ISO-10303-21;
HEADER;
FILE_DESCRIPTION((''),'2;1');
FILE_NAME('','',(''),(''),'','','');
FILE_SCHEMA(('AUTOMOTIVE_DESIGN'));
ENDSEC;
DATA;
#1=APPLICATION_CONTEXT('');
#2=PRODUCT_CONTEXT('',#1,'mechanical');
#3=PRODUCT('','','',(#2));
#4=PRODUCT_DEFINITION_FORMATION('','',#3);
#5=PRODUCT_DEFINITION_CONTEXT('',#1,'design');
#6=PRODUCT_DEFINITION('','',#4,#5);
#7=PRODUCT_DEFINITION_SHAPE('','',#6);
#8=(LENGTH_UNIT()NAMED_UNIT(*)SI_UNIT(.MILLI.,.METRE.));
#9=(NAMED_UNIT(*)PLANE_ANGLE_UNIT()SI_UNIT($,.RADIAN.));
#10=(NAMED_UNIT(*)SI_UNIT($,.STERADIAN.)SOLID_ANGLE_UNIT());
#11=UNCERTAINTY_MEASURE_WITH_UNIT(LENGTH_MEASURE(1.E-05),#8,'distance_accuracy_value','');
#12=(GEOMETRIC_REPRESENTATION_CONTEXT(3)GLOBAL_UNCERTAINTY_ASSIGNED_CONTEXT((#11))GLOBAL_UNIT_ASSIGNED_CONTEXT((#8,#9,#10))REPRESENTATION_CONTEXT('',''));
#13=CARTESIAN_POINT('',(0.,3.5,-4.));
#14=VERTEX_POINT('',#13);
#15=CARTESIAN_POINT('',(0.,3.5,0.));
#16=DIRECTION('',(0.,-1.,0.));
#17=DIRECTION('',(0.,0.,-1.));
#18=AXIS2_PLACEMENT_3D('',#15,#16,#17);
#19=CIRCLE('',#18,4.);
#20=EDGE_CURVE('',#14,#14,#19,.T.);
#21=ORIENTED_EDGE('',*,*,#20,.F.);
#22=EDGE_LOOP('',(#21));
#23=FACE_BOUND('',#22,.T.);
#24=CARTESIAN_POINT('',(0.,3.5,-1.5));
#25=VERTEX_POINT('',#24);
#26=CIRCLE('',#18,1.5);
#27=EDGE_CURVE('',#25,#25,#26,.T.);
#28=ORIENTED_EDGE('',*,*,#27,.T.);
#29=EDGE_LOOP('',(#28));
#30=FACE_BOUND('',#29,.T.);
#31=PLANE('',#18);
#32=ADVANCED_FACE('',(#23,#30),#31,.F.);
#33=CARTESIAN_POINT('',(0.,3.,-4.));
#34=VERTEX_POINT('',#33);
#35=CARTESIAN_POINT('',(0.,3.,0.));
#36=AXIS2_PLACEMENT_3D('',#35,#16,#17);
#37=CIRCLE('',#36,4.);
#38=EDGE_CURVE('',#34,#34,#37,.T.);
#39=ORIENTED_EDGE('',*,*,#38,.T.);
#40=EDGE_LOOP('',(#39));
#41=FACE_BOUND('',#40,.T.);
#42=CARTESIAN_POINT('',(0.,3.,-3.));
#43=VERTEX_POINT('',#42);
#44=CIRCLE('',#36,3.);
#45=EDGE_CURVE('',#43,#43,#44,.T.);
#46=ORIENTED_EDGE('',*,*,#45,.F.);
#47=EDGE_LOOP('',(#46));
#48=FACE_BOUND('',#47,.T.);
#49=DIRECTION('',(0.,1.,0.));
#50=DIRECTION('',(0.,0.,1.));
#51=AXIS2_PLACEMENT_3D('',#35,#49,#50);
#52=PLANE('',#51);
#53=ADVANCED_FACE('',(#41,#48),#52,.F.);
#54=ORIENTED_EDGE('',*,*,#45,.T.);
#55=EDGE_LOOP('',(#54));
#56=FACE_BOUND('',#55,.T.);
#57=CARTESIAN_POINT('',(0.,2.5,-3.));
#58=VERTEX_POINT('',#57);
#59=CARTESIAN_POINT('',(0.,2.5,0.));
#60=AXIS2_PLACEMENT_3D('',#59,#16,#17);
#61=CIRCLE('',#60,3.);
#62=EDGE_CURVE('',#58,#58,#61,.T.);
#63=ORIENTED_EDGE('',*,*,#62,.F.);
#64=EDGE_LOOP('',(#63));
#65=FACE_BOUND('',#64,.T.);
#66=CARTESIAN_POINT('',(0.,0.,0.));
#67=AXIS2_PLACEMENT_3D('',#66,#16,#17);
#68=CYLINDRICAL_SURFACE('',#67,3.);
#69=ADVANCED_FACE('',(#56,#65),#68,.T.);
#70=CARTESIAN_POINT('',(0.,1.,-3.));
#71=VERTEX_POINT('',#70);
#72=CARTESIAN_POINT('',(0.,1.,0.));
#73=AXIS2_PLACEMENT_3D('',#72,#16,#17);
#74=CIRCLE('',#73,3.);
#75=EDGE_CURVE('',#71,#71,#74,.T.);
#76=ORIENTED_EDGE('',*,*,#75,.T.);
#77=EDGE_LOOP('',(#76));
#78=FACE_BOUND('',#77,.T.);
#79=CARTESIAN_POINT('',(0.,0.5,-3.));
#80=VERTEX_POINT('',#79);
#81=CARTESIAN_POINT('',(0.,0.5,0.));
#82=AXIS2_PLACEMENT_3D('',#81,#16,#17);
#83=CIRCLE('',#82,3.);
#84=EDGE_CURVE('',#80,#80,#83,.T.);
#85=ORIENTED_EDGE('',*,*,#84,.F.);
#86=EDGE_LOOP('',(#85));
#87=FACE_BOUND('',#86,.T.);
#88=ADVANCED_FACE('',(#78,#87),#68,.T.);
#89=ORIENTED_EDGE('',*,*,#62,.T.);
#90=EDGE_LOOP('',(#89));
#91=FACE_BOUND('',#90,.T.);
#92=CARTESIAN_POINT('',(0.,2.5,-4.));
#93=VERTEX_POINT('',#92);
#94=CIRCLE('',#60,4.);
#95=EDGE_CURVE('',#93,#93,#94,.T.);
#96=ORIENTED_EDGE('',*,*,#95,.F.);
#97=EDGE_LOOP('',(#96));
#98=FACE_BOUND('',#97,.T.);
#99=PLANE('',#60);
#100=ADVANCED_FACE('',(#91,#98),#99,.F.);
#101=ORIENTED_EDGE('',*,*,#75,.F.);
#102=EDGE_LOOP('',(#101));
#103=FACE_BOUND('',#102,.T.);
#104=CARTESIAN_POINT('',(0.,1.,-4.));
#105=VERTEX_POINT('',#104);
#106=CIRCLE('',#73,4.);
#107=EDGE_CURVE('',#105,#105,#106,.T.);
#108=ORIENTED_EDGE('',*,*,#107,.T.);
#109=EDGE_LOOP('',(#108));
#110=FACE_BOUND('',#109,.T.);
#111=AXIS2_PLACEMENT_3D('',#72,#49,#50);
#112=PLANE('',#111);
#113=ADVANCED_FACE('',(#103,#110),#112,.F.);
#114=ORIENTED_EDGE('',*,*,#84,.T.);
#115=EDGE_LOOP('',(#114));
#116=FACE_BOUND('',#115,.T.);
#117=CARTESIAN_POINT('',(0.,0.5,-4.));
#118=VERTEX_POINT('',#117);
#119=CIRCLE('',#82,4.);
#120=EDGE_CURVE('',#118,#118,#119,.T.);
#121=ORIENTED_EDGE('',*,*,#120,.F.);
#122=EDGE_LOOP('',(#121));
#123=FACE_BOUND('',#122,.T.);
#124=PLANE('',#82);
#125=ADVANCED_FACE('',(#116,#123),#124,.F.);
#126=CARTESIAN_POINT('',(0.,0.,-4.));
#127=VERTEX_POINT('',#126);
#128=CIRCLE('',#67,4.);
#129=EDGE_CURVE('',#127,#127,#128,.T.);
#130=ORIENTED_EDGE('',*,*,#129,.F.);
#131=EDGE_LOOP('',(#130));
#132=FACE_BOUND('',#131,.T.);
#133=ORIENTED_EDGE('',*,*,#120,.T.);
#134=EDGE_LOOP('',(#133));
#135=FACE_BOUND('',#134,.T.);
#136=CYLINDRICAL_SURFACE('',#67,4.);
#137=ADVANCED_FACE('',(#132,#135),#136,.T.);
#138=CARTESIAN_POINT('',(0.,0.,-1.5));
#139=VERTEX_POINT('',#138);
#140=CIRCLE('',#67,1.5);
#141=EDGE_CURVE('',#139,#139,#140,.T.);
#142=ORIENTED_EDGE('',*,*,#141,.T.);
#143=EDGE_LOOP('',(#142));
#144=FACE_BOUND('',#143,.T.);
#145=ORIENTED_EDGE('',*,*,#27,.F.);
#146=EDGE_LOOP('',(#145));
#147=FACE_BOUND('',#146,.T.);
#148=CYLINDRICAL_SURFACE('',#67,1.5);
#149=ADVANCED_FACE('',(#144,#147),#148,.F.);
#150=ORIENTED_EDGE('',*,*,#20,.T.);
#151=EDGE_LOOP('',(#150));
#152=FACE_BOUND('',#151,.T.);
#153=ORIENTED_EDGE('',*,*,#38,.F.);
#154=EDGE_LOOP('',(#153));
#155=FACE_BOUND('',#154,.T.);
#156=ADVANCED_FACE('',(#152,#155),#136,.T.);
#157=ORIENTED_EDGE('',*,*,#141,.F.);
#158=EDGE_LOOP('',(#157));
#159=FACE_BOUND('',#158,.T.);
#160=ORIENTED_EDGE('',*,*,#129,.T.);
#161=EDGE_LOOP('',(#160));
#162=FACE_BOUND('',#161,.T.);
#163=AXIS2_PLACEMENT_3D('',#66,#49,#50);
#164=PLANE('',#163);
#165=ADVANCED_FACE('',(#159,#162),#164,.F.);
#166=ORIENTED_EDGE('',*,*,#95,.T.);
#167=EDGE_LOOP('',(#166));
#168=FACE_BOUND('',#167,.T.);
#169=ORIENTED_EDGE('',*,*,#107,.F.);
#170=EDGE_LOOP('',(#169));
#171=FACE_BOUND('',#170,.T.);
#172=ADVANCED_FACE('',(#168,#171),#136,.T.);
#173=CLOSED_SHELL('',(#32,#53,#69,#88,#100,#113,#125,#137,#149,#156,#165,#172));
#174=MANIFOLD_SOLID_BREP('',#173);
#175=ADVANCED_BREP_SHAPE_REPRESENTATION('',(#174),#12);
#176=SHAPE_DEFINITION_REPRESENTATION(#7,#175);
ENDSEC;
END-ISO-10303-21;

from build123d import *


with BuildPart() as part:
    # 草图1 → 旋转1 (revolve)
    with BuildSketch(Plane.XY, mode=Mode.PRIVATE) as revolve_1_sk:
        Polygon((1.5, 3.5), (1.5, 1.75), (4, 1.75), (4, 2.5), (3, 2.5), (3, 3), (4, 3), (4, 3.5), align=None)
        Polygon((1.5, 1.75), (1.5, 0), (4, 0), (4, 0.5), (3, 0.5), (3, 1), (4, 1), (4, 1.75), align=None)
    revolve(revolve_1_sk.sketch.rotate(Axis((0, 0, 0), (0, 1, 0)), 90), axis=Axis((0, 0, 0), (0, 1, 0)))


solid = part.part
